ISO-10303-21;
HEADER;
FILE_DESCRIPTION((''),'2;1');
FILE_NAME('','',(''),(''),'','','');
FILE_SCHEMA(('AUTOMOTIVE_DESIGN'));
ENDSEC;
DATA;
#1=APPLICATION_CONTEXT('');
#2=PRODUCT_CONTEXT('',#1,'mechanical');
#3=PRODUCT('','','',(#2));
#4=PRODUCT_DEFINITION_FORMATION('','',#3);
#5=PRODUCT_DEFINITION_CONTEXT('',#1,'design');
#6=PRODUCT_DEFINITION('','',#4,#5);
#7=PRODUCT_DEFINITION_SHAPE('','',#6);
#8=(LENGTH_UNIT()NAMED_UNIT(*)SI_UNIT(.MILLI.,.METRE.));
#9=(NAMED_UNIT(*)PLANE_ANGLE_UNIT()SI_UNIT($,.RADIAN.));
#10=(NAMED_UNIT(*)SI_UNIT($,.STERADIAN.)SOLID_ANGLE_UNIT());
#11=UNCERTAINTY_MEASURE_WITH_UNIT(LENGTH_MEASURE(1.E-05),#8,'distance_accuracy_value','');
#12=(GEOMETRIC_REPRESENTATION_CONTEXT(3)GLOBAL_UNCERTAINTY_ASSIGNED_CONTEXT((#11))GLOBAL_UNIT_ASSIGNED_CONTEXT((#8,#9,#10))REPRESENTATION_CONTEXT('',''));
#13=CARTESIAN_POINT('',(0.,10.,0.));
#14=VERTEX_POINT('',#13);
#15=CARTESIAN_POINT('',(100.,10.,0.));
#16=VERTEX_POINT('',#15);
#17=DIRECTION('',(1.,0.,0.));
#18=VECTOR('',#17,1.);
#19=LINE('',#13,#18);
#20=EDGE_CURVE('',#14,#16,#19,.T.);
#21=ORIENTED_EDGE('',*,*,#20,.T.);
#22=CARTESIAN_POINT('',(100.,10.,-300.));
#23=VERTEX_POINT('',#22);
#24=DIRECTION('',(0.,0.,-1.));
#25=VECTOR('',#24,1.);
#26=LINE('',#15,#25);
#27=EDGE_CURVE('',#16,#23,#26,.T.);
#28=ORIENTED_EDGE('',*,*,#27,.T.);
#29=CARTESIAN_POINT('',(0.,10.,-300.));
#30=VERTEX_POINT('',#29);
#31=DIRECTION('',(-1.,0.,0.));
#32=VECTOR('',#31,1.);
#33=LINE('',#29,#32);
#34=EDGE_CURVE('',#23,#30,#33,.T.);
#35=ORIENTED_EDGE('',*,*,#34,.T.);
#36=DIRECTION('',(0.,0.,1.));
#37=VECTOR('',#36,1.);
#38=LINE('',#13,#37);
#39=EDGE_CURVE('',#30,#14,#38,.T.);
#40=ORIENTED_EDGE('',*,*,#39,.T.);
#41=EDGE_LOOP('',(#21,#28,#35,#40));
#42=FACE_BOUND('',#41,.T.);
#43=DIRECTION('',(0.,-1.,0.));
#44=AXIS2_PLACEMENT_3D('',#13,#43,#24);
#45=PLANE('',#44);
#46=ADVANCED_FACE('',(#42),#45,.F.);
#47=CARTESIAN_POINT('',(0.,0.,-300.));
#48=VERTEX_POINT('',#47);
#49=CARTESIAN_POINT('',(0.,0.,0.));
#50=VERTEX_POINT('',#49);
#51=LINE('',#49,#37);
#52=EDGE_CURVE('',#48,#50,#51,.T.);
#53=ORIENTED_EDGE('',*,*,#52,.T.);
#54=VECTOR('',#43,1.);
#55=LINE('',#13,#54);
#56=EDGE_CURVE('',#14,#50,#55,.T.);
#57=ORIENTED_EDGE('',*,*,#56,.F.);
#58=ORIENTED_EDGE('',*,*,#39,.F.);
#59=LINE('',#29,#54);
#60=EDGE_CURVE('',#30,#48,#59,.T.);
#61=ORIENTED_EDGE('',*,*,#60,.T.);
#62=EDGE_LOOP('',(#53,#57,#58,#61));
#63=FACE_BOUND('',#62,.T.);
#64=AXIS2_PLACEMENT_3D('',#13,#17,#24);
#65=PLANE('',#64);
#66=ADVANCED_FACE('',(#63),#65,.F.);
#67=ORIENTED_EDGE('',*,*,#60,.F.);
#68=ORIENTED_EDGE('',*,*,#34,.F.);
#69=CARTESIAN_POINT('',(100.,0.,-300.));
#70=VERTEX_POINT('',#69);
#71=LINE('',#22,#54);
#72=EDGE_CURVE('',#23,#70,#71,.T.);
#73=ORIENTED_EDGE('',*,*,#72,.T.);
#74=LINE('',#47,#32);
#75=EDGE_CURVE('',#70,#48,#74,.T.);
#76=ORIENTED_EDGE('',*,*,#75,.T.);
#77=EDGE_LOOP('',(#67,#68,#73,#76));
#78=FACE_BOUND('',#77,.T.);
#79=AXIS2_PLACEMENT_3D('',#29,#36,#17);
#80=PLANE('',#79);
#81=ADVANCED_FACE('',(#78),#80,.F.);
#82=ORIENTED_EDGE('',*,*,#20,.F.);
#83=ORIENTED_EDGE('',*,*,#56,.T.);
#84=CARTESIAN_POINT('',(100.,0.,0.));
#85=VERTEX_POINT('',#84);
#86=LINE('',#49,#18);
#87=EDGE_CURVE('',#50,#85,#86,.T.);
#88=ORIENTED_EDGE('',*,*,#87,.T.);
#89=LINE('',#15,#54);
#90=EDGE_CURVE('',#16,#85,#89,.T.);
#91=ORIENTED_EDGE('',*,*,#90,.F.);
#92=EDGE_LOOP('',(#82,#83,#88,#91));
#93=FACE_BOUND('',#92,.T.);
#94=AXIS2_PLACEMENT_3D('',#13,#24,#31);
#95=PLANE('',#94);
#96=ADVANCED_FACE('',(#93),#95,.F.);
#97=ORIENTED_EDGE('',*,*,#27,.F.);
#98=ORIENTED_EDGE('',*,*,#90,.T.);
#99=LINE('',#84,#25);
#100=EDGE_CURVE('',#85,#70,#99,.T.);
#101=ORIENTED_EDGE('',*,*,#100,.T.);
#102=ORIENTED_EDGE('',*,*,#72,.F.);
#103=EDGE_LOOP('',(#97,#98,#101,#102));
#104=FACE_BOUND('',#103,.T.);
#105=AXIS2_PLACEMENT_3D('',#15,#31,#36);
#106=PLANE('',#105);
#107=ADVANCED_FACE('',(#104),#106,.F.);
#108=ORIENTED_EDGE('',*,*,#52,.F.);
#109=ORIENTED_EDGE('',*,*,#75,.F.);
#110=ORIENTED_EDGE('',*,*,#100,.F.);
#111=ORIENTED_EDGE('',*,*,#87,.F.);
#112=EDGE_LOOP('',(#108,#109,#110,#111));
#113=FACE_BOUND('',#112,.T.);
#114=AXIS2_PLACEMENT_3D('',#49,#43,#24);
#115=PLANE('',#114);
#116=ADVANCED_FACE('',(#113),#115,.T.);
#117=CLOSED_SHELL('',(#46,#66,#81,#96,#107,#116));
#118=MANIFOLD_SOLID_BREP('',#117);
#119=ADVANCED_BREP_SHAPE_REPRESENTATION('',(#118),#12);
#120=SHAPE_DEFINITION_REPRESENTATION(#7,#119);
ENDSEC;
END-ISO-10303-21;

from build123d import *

# Parameters (mm, degrees)
SKETCH_1_W        = 100
SKETCH_1_H        = 300
EXTRUDE_320_DEPTH = 10


with BuildPart() as part:
    # Эскиз1 → Extrude 320 (new body)
    with BuildSketch(Plane(origin=(0, 0, 0), x_dir=(1, 0, 0), z_dir=(0, 1, 0))):
        with Locations((50, 150)):
            Rectangle(SKETCH_1_W, SKETCH_1_H)
    extrude(amount=EXTRUDE_320_DEPTH)


solid = part.part
